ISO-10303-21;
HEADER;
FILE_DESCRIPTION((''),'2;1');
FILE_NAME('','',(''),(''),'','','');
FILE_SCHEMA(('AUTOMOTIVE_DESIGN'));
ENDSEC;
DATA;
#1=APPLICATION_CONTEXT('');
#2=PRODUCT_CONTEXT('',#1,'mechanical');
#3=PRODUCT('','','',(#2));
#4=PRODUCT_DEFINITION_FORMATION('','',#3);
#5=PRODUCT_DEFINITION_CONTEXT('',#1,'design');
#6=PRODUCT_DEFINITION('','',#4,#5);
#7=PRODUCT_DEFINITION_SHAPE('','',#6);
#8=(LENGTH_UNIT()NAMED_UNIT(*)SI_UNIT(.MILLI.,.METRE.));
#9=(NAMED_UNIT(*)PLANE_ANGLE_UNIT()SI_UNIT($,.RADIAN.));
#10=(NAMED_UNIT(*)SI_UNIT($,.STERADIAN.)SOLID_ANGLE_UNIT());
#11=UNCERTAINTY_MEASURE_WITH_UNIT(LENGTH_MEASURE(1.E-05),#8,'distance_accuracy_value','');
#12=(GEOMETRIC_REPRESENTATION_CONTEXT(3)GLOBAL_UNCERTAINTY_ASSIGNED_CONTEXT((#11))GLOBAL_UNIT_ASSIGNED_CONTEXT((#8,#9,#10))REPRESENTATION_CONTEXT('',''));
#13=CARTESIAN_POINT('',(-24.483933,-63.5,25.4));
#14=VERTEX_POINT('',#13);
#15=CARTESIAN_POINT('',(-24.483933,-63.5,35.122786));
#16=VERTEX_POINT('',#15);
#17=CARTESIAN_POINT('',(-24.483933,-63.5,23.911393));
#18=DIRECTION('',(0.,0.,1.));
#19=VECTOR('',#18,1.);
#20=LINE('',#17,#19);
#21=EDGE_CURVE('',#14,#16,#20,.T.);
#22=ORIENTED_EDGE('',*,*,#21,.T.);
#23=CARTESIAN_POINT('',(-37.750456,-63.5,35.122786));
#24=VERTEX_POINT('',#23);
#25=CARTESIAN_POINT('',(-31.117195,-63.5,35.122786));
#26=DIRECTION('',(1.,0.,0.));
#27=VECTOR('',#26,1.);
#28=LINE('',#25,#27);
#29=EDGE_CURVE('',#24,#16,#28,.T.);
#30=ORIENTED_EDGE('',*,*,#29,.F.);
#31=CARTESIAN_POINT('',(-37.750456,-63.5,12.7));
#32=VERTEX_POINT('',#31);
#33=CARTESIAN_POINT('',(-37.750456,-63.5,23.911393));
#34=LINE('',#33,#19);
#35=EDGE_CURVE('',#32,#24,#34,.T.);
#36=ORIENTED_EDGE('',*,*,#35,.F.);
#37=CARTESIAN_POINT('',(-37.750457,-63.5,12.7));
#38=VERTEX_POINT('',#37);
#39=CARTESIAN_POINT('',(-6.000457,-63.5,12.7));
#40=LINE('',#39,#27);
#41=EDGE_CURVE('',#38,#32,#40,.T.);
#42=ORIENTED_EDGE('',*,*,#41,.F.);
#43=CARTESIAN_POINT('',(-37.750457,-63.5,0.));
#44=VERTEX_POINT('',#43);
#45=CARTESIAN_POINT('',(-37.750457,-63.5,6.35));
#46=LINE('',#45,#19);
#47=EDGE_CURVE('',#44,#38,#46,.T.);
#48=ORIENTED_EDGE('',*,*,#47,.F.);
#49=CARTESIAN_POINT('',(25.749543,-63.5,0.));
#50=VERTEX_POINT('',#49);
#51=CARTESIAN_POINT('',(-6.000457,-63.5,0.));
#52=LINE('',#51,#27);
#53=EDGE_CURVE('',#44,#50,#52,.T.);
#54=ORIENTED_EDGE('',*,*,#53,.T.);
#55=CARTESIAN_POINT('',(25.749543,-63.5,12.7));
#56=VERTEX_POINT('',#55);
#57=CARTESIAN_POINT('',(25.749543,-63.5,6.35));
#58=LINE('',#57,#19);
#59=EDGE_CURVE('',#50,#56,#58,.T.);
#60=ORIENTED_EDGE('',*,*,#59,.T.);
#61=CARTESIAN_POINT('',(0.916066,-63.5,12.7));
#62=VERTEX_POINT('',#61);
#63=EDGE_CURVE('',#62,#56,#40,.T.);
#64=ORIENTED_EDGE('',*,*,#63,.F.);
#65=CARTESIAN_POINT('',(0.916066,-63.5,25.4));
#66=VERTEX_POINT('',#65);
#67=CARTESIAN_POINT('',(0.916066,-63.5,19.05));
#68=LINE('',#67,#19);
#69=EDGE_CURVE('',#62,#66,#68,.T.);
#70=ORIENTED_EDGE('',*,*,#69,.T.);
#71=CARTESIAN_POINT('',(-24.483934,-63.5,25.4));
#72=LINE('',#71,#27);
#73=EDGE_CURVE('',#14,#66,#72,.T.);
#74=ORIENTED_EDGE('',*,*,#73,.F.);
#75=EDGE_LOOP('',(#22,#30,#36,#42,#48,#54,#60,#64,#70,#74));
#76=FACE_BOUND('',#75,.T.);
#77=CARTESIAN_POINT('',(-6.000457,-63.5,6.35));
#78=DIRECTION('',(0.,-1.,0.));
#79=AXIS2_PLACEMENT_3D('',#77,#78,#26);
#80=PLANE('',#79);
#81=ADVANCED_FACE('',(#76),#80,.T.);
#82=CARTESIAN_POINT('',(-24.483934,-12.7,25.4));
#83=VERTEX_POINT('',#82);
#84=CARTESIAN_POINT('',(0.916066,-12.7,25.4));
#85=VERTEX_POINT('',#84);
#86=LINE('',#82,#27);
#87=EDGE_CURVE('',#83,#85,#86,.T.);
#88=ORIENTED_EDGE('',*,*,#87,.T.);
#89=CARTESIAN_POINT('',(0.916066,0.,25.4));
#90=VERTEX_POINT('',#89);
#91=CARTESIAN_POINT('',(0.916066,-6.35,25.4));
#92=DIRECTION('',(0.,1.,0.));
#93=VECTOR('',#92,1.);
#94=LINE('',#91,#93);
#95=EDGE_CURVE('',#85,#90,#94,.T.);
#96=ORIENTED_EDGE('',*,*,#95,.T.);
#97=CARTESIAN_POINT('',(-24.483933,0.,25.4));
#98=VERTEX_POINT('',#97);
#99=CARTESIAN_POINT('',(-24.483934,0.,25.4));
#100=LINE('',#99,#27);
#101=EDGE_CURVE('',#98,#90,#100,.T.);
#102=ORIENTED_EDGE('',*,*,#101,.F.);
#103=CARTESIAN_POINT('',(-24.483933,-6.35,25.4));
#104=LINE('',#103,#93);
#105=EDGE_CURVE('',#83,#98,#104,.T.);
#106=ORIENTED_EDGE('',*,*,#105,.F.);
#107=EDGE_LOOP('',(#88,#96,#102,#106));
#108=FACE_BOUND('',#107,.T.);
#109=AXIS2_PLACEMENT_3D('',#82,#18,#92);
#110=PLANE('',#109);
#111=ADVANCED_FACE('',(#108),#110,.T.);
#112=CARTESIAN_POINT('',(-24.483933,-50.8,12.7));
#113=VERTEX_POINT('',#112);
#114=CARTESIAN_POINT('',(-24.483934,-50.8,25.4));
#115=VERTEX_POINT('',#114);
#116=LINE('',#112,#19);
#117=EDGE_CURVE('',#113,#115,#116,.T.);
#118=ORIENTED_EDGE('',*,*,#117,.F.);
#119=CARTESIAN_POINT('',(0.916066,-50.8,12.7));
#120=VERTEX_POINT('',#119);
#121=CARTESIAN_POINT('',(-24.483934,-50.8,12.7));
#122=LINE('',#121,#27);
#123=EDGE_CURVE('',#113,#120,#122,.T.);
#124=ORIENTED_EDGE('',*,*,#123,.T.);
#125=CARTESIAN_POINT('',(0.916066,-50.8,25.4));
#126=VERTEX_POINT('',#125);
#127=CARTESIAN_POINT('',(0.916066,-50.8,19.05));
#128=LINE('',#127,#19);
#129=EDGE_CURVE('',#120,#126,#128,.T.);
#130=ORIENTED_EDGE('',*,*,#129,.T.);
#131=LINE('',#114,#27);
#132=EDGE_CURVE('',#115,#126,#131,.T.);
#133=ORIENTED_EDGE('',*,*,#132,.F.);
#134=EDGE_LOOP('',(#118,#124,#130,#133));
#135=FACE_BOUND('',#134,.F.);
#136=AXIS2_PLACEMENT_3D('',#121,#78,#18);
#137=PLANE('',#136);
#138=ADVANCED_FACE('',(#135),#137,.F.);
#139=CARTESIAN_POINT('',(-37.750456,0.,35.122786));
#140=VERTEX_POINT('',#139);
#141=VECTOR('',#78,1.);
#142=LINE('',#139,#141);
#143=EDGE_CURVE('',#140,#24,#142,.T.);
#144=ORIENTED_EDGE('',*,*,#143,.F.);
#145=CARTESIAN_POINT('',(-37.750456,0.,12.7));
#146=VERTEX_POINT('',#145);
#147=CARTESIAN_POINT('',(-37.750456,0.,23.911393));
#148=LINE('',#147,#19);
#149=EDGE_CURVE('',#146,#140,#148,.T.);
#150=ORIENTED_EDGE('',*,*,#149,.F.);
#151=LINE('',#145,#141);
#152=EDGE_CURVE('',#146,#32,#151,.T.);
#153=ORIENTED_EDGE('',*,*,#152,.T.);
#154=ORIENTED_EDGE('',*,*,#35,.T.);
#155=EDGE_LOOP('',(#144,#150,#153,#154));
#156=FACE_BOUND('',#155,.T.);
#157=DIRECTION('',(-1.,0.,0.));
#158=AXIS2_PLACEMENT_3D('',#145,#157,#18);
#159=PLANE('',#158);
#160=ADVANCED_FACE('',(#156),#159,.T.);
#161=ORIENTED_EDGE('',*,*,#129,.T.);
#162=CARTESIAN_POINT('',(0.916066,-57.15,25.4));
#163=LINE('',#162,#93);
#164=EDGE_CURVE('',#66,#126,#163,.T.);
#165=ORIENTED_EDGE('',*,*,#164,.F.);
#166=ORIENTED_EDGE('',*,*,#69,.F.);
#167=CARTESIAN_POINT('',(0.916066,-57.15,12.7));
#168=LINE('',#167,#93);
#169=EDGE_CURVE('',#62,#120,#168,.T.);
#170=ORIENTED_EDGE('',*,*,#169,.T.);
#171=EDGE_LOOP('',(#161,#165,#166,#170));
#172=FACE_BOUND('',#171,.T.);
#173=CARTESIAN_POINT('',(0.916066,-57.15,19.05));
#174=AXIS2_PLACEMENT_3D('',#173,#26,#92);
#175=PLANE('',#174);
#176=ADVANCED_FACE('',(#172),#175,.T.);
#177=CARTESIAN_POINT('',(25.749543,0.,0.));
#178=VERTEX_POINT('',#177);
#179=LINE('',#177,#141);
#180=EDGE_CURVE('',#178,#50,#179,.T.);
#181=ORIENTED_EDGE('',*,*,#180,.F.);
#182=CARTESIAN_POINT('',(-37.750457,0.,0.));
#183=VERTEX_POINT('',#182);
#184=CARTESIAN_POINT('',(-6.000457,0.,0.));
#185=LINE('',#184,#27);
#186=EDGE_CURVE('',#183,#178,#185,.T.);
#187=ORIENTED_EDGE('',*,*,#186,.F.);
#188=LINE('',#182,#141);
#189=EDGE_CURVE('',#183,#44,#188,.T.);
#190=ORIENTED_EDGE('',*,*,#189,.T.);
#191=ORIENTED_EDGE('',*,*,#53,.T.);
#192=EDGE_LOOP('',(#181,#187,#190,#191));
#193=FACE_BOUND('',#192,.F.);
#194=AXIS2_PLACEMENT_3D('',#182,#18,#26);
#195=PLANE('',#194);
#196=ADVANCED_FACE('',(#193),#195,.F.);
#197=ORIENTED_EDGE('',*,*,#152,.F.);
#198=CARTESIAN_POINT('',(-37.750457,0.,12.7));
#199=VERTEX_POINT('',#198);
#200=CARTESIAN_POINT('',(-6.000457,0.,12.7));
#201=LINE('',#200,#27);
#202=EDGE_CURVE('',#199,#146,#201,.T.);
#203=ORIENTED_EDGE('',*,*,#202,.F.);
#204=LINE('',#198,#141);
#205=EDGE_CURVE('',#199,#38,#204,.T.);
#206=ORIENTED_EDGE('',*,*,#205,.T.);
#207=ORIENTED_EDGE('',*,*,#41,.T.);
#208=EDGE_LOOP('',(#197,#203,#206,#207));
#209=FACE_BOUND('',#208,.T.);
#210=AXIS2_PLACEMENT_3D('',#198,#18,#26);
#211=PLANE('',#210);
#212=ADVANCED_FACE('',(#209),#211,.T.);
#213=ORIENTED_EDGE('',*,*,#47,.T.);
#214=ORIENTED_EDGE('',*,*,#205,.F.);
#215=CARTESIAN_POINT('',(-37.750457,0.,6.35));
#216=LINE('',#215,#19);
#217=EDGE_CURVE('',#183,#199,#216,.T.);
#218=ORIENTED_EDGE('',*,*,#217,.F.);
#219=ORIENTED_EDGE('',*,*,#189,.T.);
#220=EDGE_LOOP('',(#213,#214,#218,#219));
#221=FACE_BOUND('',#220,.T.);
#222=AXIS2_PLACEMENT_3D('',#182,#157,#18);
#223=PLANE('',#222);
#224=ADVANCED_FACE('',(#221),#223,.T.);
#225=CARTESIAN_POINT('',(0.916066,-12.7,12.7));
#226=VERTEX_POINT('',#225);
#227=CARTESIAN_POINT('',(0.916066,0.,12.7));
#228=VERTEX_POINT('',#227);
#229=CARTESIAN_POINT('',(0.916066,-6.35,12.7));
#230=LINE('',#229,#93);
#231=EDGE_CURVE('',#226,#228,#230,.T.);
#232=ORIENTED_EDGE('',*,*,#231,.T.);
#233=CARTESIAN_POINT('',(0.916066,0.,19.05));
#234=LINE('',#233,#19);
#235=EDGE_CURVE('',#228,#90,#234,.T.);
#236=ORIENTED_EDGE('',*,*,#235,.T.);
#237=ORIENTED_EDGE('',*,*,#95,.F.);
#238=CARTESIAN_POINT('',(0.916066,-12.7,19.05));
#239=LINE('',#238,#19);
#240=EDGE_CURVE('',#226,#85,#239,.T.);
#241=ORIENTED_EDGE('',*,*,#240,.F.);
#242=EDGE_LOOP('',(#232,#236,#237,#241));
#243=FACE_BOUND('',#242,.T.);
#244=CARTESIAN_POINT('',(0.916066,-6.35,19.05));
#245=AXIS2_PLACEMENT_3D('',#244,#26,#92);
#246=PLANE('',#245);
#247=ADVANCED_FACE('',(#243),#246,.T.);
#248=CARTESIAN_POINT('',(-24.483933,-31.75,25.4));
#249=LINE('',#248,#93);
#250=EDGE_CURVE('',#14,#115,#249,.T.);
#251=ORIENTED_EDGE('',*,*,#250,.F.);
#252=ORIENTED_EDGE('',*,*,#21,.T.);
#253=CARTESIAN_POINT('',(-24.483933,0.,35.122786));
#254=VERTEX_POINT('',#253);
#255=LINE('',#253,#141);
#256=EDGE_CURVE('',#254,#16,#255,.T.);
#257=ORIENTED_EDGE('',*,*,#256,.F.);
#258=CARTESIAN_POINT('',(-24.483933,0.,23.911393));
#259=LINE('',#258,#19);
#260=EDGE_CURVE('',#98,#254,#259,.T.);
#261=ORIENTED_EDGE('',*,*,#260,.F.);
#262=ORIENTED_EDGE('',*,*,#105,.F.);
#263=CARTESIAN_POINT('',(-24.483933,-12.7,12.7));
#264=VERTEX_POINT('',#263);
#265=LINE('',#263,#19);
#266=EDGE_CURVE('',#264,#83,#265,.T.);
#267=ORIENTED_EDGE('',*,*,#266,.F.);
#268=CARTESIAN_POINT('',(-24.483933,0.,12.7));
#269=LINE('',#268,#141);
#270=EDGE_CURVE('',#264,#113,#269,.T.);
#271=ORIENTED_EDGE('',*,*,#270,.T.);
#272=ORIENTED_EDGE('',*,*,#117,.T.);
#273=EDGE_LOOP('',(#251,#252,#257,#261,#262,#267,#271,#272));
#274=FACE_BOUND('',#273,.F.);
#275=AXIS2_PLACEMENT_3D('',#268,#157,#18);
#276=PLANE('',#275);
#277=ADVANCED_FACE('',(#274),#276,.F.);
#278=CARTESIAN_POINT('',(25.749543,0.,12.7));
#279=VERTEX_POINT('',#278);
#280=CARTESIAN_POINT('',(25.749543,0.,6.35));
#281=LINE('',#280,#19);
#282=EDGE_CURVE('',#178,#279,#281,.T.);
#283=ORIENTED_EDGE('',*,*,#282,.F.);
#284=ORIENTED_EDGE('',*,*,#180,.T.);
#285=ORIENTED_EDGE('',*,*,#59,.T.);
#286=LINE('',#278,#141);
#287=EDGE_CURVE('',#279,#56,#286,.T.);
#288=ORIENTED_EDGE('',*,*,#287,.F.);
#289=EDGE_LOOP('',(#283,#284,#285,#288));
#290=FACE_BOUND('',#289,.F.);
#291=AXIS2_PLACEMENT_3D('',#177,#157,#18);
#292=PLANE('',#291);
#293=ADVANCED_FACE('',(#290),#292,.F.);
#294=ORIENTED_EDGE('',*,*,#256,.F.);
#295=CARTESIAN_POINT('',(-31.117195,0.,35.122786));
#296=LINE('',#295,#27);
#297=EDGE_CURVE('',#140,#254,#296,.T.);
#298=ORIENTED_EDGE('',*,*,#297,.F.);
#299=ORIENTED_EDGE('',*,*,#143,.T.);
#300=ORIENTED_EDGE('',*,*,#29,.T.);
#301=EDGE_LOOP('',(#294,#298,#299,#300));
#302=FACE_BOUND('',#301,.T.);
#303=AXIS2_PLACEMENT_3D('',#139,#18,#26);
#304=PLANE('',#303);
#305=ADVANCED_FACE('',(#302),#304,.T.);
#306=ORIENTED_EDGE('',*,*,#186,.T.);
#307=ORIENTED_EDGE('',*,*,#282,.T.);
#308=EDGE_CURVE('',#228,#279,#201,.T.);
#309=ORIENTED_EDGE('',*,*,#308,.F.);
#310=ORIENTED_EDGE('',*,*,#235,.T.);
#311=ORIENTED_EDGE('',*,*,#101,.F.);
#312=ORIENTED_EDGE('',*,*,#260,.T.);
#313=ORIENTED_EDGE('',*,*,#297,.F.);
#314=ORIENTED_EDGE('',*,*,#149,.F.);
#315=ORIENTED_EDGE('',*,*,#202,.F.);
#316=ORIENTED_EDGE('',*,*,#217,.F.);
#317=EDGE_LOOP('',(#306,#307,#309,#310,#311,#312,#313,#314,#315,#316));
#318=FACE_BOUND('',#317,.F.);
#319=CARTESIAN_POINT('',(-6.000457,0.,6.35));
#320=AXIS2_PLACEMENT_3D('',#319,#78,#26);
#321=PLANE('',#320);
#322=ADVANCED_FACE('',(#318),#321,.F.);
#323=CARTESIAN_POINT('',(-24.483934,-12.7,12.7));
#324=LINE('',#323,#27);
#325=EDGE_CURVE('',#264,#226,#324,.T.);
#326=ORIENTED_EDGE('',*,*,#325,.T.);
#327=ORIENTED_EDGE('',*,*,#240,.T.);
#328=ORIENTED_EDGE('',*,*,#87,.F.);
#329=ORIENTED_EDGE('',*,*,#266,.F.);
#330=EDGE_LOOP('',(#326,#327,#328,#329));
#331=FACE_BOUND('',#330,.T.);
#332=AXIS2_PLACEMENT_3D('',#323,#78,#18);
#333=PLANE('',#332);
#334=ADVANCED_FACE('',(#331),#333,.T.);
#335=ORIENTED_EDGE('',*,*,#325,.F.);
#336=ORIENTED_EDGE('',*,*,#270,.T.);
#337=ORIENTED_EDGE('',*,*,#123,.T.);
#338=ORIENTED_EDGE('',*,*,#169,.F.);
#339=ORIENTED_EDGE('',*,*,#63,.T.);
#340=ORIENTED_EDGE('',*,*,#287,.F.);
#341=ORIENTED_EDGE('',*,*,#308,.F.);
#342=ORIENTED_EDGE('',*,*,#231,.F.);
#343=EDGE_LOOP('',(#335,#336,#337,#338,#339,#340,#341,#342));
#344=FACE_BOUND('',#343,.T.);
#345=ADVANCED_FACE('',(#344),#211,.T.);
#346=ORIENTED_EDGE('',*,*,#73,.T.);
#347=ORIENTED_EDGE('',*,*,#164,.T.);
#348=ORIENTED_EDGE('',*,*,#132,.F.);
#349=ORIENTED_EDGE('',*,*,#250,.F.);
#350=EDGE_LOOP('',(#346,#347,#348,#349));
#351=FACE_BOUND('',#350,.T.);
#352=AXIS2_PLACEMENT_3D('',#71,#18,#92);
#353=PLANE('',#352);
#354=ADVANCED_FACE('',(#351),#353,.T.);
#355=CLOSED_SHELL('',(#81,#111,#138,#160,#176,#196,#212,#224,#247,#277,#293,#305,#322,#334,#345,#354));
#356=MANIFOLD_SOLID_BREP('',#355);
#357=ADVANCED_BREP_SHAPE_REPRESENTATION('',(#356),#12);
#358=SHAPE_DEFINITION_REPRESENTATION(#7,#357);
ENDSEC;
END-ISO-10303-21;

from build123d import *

# Parameters (mm, degrees)
F0_W     = 63.5
F0_H     = 12.7
F1_DEPTH = 63.5
F2_W     = 13.266523
F2_H     = 22.422786
F3_DEPTH = 63.5
F4_W     = 12.7
F4_H     = 12.7
F5_DEPTH = 25.4
F6_W     = 12.7
F6_H     = 12.7
F7_DEPTH = 25.4


with BuildPart() as f1:
    # F0 (on Front) → F1 (new body)
    with BuildSketch(Plane.XZ):
        with Locations((-6.000457, 6.35)):
            Rectangle(F0_W, F0_H)
    extrude(amount=F1_DEPTH)

    # F2 (on Front) → F3 (join)
    with BuildSketch(Plane.XZ):
        with Locations((-31.117195, 23.911393)):
            Rectangle(F2_W, F2_H)
    extrude(amount=F3_DEPTH)

    # F4 (on face) → F5 (join)
    with BuildSketch(Plane.YZ.offset(-24.483934)):
        with Locations((-57.15, 19.05)):
            Rectangle(F4_W, F4_H)
    extrude(amount=F5_DEPTH)

    # F6 (on face) → F7 (join)
    with BuildSketch(Plane.YZ.offset(-24.483934)):
        with Locations((-6.35, 19.05)):
            Rectangle(F6_W, F6_H)
    extrude(amount=F7_DEPTH)


solid = f1.part
